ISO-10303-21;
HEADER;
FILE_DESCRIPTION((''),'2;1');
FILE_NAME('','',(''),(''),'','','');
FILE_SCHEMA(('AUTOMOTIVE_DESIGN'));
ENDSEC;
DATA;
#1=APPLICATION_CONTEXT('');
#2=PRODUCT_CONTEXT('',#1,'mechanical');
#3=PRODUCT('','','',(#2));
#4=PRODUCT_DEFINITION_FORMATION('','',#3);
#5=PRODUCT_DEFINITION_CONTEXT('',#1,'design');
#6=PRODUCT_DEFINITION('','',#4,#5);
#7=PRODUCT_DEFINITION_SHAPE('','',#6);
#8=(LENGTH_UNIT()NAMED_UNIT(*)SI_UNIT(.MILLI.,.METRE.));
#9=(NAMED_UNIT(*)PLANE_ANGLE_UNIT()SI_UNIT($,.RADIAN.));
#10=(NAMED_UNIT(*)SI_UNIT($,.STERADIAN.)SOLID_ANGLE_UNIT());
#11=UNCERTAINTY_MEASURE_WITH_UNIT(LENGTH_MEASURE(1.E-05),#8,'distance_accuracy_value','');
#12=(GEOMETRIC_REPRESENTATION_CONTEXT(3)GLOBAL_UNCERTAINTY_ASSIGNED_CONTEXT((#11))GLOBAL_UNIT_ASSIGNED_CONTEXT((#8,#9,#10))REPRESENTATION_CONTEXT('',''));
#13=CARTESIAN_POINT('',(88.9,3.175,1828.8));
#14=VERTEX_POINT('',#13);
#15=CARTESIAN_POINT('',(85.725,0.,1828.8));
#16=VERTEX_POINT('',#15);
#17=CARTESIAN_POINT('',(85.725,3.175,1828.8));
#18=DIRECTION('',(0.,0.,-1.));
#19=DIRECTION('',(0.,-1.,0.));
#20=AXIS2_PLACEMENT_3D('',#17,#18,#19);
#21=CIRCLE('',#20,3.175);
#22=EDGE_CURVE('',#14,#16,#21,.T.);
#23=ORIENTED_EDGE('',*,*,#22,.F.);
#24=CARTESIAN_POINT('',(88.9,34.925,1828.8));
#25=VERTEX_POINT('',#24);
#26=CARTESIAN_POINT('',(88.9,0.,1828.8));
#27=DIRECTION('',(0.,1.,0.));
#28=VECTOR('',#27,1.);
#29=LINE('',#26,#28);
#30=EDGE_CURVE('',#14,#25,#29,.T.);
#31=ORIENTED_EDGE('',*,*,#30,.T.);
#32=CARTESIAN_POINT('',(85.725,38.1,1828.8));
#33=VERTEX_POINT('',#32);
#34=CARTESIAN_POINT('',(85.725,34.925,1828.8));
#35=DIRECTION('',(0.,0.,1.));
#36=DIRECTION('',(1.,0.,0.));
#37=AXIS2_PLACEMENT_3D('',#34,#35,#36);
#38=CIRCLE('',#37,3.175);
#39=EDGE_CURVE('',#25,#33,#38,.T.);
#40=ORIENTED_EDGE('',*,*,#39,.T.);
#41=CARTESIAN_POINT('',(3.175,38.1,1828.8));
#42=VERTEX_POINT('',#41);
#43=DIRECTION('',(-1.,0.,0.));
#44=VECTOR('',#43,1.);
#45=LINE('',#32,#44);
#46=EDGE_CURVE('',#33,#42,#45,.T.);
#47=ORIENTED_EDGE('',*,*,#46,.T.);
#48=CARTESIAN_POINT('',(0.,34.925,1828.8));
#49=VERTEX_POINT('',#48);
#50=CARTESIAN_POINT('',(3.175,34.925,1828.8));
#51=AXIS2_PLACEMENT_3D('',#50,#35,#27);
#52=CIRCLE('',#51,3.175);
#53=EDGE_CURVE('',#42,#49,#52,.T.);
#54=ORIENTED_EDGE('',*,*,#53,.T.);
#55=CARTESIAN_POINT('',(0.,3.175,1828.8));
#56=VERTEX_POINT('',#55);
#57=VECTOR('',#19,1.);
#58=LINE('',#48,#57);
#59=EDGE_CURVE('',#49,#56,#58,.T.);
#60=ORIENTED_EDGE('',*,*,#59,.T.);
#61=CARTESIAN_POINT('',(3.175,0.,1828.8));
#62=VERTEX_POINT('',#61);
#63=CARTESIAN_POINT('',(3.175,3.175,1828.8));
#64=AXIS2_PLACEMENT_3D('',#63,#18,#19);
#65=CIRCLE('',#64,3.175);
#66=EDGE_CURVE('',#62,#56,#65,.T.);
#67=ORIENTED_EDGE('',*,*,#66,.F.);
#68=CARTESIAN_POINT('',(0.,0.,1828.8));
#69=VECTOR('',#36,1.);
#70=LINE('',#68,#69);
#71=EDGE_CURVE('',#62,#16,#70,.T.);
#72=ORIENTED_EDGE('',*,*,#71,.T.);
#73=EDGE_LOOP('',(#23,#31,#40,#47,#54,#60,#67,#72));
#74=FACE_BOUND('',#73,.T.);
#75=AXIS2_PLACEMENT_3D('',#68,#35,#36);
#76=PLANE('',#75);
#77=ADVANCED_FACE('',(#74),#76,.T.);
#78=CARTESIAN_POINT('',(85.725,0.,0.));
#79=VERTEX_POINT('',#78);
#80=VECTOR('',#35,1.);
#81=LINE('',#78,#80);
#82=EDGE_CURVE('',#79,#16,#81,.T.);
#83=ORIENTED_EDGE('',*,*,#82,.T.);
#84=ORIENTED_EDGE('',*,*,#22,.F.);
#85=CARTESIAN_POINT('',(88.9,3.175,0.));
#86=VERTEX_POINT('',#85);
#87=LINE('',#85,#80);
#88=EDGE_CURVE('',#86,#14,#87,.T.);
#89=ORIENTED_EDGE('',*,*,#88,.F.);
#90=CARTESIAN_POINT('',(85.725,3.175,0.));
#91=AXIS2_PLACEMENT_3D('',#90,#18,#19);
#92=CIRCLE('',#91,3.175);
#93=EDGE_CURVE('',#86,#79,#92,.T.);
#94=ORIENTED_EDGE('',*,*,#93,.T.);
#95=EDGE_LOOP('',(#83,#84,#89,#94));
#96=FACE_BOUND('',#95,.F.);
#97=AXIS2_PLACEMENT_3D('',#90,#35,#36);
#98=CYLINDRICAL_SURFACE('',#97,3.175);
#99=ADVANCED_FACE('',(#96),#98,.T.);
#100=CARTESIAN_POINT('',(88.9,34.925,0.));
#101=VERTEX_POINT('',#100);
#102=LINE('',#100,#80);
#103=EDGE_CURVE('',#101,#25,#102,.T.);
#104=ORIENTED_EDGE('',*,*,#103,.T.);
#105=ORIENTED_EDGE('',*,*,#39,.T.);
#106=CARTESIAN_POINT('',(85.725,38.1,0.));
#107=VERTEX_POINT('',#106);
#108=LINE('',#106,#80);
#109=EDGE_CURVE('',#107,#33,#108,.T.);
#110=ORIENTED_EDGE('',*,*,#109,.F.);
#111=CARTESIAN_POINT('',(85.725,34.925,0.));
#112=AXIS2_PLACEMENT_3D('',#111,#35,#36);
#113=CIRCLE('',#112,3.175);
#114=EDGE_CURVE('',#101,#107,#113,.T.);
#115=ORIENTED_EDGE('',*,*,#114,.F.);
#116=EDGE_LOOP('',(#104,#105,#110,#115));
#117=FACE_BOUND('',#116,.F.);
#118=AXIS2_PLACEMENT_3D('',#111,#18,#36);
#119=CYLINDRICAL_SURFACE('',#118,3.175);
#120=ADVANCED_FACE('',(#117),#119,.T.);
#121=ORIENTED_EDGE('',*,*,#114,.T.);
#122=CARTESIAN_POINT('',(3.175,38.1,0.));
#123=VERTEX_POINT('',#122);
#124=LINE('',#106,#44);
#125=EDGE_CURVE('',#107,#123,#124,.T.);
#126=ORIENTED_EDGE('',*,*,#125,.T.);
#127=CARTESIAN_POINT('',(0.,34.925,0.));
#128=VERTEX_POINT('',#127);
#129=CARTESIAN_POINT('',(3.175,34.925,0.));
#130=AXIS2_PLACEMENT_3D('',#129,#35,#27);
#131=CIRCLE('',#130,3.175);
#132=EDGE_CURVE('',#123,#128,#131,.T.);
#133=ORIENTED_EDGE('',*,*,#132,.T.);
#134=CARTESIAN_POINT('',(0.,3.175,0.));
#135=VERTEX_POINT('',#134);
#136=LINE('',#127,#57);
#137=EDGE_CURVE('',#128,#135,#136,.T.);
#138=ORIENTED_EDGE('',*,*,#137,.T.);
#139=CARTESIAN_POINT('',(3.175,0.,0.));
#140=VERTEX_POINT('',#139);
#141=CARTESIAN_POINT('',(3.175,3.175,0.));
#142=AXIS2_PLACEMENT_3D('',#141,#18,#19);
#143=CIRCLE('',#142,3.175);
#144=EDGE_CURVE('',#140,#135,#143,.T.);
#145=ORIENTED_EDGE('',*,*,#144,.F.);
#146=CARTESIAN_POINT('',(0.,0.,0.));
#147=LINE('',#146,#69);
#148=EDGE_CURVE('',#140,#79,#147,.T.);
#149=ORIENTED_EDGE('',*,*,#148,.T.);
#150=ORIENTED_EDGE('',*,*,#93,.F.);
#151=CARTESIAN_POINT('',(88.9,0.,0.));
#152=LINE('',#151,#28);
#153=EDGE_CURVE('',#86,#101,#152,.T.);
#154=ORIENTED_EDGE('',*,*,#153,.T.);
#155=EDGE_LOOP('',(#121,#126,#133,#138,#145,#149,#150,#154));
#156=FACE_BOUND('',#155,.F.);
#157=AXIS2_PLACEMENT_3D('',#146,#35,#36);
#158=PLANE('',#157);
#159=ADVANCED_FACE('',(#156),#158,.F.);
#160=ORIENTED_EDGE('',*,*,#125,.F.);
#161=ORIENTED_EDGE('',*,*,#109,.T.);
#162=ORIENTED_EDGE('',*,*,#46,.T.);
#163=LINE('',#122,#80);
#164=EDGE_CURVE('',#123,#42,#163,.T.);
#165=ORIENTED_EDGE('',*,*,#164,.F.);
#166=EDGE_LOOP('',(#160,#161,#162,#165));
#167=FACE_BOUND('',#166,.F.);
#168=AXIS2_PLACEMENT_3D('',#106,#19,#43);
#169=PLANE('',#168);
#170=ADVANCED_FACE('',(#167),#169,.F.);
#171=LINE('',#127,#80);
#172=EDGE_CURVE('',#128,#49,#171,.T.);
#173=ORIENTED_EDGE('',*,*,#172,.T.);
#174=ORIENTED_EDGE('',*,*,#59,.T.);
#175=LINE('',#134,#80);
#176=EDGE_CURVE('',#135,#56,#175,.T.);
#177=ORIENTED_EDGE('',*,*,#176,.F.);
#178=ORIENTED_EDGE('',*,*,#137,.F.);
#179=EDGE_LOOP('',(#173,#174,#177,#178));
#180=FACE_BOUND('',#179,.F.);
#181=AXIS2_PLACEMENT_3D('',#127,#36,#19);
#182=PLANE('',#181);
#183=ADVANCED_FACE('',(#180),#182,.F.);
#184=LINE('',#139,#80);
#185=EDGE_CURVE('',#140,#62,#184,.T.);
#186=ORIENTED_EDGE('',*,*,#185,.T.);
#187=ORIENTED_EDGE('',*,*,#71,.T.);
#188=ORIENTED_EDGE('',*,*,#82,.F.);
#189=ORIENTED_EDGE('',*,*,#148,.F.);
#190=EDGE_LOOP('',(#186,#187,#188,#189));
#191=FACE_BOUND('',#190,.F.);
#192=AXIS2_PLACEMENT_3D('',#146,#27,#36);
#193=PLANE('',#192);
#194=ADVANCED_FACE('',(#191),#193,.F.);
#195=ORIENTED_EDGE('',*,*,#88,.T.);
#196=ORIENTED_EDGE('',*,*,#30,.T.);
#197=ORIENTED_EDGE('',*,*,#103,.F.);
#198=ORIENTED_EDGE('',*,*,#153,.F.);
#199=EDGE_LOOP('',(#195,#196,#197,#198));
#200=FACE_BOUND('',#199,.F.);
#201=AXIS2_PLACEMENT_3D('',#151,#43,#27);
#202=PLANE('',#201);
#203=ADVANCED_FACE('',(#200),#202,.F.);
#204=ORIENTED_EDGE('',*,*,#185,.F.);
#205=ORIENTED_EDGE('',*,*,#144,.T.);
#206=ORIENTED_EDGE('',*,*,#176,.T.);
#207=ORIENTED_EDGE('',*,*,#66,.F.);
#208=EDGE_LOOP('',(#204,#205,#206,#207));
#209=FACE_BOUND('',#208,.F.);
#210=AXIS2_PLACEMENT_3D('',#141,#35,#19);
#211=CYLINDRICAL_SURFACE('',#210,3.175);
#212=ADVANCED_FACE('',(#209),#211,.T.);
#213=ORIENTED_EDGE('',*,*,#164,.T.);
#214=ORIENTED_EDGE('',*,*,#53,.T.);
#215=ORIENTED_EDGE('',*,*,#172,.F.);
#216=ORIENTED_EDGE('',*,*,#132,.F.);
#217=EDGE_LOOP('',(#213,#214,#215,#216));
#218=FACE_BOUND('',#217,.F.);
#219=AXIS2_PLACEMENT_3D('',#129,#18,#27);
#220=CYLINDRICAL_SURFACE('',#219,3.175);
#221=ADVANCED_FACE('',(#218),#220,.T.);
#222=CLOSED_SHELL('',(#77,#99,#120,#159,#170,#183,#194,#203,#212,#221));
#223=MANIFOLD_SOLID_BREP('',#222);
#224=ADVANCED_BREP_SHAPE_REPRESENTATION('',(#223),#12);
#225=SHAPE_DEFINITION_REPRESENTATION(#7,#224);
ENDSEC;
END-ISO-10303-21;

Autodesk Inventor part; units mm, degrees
ref_plane "YZ Plane" through (0, 0, 0) normal (1, 0, 0) x (0, 1, 0)
ref_plane "XZ Plane" through (0, 0, 0) normal (0, 1, 0) x (-1, 0, 0)
ref_plane "XY Plane" through (0, 0, 0) normal (0, 0, 1) x (1, 0, 0)
sketch "Sketch1" plane through (0, 0, 0) normal (0, 0, 1) x (1, 0, 0)
  line L0 (0, 0) -> (88.9, 0)
  line L1 (88.9, 0) -> (88.9, 34.925)
  line L2 (85.725, 38.1) -> (3.175, 38.1)
  line L3 (0, 34.925) -> (0, 0)
  arc A0 (3.175, 38.1) -> (0, 34.925) centre (3.175, 34.925) ccw
  arc A1 (88.9, 34.925) -> (85.725, 38.1) centre (85.725, 34.925) ccw
  point P0 (88.9, 38.1)
  point P1 (0, 38.1)
  dimension "Width" = 88.9
  dimension "Height" = 38.1
  dimension "d2" = 3.175
extrude "Extrusion1" add sketch "Sketch1" along normal blind 1828.8
fillet "Fillet1" radius 3.175 1 edges at (88.9, 0, 914.4)
fillet "Fillet2" radius 3.175 1 edges at (0, 0, 914.4)
properties part number "2x4x48" material "Wood (Oak)"
